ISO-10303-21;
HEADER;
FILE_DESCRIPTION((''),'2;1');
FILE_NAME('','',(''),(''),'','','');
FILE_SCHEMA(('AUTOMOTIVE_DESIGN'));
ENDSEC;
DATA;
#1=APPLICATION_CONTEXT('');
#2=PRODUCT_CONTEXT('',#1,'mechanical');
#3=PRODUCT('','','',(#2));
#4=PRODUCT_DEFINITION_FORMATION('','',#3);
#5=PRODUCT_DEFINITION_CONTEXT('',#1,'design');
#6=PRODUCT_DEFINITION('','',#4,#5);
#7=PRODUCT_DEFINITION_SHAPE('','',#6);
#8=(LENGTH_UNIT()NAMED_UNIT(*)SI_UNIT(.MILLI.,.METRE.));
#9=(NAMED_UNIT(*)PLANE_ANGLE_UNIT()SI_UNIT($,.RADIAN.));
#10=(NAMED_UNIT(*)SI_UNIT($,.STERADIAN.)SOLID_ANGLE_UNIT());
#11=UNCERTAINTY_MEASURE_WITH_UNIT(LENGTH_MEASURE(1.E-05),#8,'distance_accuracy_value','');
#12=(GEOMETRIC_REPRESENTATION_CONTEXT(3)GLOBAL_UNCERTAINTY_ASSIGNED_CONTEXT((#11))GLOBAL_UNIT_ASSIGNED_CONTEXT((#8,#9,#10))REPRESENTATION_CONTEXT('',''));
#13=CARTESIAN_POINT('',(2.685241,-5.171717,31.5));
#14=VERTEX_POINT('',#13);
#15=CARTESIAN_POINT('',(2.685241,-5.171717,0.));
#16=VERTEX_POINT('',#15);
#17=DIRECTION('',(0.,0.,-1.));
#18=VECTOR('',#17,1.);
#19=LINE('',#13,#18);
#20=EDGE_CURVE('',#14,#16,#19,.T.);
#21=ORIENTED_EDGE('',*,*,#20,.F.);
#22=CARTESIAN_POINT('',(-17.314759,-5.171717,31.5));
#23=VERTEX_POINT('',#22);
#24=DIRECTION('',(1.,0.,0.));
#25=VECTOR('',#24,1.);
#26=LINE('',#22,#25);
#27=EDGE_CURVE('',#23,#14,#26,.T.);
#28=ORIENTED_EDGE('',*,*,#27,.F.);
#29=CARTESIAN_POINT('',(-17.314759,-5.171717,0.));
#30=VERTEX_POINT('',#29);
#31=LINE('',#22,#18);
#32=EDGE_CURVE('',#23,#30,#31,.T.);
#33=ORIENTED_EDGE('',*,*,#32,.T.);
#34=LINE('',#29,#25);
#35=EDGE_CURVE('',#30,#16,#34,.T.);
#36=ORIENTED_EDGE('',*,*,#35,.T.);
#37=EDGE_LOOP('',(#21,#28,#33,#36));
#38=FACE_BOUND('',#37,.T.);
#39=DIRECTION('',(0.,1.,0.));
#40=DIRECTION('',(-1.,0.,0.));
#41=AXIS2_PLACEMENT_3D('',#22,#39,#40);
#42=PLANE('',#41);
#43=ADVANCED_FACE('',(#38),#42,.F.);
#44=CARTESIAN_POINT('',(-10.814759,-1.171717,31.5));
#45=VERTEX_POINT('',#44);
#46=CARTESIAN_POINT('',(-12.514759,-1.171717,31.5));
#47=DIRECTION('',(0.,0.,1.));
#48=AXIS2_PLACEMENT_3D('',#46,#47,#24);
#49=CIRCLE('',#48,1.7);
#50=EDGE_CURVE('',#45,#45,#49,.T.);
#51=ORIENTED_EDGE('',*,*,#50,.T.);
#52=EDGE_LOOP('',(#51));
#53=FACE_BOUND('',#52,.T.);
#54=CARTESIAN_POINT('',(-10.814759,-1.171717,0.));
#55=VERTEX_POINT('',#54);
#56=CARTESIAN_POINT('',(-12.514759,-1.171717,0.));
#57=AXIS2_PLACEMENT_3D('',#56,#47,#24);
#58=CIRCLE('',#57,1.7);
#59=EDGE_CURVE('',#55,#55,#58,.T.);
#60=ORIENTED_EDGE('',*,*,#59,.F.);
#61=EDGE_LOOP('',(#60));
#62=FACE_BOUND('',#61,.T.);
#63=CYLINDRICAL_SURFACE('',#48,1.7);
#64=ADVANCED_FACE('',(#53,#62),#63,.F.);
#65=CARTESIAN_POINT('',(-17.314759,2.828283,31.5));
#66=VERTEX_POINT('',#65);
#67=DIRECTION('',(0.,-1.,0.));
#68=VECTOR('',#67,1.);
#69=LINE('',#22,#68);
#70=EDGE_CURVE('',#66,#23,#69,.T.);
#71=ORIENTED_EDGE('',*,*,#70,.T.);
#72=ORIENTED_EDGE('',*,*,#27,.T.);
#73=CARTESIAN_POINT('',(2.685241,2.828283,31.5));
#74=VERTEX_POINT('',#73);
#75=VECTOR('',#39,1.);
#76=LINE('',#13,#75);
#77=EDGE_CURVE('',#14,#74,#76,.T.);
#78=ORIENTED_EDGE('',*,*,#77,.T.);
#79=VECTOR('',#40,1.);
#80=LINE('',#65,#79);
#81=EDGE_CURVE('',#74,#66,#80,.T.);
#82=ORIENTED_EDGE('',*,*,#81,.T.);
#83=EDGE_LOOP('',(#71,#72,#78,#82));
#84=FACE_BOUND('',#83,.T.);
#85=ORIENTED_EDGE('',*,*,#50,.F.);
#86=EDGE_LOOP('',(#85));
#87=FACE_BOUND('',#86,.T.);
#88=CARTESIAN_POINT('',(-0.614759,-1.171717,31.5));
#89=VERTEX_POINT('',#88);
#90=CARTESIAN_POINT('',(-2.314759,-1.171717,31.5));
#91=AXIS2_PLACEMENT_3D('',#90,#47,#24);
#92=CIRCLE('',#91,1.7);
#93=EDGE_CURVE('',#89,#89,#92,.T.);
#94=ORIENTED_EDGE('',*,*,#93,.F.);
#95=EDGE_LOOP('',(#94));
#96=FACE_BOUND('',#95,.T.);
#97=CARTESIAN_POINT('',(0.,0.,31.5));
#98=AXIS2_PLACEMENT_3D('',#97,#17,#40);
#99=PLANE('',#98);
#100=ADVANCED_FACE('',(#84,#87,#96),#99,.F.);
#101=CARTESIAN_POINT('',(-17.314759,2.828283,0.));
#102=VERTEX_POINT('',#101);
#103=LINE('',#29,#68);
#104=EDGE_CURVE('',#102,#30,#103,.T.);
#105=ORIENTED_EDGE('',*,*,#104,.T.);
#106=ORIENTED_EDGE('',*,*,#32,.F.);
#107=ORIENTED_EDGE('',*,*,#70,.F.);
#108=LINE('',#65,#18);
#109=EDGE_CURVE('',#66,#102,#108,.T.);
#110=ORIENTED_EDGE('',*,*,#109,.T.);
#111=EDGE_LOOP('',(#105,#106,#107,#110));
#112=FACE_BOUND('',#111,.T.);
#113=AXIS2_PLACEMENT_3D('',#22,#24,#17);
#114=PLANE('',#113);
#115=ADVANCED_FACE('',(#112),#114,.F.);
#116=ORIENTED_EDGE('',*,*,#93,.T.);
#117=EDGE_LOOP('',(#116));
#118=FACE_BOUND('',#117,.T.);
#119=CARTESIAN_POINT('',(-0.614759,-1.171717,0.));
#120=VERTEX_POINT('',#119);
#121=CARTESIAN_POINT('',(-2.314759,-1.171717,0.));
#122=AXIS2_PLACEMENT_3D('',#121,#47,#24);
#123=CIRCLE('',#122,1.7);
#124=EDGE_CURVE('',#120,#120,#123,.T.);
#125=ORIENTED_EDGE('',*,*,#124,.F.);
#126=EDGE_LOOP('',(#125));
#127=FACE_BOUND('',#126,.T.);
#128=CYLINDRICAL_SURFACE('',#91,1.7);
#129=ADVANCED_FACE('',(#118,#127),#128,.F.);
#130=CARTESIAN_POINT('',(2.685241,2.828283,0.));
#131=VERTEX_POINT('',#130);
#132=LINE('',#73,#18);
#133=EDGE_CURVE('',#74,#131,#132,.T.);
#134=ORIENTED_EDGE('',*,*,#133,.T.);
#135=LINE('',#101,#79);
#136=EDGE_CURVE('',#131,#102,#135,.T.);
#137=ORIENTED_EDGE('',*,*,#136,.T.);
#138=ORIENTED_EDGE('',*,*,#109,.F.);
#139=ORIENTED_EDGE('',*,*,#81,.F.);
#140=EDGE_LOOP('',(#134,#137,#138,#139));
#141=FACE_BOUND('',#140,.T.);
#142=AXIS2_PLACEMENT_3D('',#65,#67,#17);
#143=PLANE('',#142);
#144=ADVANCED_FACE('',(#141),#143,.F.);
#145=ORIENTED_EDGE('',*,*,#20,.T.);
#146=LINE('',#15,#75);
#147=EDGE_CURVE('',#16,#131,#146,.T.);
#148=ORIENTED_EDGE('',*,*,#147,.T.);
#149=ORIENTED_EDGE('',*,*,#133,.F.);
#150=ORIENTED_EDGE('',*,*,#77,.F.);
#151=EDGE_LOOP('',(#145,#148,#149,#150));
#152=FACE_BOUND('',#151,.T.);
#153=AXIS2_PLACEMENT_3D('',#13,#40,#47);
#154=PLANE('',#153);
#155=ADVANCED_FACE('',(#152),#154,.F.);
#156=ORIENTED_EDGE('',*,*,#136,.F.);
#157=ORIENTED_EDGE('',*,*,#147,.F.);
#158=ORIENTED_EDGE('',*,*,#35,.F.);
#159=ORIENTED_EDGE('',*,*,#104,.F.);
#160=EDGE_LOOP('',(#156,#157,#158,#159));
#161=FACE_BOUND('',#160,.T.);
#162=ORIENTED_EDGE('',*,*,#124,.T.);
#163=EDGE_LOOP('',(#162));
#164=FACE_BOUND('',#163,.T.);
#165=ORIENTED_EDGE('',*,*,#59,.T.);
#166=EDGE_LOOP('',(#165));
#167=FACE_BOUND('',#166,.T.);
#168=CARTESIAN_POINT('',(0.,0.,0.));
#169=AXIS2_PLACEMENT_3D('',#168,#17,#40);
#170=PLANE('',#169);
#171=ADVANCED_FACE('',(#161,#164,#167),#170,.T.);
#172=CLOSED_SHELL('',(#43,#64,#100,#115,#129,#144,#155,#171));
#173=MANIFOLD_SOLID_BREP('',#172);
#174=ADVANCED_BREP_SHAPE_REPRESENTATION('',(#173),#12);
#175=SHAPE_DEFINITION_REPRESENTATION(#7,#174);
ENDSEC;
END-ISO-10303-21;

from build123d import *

# Parameters (mm, degrees)
ESQUISSE1_W                = 20
ESQUISSE1_H                = 8
BOSS_EXTRU_1_DEPTH         = 31.5
D_GAGEMENT_M31_D           = 3.4
R_P_TITION_LIN_AIRE1_COUNT = 2
R_P_TITION_LIN_AIRE1_PITCH = 10.2


with BuildPart() as part:
    # Esquisse1 → Boss.-Extru.1 (new body)
    with BuildSketch(Plane.XY):
        with Locations((-7.314758755, -1.171717172)):
            Rectangle(ESQUISSE1_W, ESQUISSE1_H)
    extrude(amount=BOSS_EXTRU_1_DEPTH)

    # Dégagement M31 (through all)
    with Locations(Plane.XY.offset(31.5)):
        with Locations((-2.314758755, -1.171717172)):
            d_gagement_m31 = Hole(D_GAGEMENT_M31_D / 2)

    # Répétition linéaire1: Dégagement M31 ×2
    with Locations(*[(-i * R_P_TITION_LIN_AIRE1_PITCH, 0, 0) for i in range(1, R_P_TITION_LIN_AIRE1_COUNT)]):
        add(d_gagement_m31, mode=Mode.SUBTRACT)


solid = part.part
